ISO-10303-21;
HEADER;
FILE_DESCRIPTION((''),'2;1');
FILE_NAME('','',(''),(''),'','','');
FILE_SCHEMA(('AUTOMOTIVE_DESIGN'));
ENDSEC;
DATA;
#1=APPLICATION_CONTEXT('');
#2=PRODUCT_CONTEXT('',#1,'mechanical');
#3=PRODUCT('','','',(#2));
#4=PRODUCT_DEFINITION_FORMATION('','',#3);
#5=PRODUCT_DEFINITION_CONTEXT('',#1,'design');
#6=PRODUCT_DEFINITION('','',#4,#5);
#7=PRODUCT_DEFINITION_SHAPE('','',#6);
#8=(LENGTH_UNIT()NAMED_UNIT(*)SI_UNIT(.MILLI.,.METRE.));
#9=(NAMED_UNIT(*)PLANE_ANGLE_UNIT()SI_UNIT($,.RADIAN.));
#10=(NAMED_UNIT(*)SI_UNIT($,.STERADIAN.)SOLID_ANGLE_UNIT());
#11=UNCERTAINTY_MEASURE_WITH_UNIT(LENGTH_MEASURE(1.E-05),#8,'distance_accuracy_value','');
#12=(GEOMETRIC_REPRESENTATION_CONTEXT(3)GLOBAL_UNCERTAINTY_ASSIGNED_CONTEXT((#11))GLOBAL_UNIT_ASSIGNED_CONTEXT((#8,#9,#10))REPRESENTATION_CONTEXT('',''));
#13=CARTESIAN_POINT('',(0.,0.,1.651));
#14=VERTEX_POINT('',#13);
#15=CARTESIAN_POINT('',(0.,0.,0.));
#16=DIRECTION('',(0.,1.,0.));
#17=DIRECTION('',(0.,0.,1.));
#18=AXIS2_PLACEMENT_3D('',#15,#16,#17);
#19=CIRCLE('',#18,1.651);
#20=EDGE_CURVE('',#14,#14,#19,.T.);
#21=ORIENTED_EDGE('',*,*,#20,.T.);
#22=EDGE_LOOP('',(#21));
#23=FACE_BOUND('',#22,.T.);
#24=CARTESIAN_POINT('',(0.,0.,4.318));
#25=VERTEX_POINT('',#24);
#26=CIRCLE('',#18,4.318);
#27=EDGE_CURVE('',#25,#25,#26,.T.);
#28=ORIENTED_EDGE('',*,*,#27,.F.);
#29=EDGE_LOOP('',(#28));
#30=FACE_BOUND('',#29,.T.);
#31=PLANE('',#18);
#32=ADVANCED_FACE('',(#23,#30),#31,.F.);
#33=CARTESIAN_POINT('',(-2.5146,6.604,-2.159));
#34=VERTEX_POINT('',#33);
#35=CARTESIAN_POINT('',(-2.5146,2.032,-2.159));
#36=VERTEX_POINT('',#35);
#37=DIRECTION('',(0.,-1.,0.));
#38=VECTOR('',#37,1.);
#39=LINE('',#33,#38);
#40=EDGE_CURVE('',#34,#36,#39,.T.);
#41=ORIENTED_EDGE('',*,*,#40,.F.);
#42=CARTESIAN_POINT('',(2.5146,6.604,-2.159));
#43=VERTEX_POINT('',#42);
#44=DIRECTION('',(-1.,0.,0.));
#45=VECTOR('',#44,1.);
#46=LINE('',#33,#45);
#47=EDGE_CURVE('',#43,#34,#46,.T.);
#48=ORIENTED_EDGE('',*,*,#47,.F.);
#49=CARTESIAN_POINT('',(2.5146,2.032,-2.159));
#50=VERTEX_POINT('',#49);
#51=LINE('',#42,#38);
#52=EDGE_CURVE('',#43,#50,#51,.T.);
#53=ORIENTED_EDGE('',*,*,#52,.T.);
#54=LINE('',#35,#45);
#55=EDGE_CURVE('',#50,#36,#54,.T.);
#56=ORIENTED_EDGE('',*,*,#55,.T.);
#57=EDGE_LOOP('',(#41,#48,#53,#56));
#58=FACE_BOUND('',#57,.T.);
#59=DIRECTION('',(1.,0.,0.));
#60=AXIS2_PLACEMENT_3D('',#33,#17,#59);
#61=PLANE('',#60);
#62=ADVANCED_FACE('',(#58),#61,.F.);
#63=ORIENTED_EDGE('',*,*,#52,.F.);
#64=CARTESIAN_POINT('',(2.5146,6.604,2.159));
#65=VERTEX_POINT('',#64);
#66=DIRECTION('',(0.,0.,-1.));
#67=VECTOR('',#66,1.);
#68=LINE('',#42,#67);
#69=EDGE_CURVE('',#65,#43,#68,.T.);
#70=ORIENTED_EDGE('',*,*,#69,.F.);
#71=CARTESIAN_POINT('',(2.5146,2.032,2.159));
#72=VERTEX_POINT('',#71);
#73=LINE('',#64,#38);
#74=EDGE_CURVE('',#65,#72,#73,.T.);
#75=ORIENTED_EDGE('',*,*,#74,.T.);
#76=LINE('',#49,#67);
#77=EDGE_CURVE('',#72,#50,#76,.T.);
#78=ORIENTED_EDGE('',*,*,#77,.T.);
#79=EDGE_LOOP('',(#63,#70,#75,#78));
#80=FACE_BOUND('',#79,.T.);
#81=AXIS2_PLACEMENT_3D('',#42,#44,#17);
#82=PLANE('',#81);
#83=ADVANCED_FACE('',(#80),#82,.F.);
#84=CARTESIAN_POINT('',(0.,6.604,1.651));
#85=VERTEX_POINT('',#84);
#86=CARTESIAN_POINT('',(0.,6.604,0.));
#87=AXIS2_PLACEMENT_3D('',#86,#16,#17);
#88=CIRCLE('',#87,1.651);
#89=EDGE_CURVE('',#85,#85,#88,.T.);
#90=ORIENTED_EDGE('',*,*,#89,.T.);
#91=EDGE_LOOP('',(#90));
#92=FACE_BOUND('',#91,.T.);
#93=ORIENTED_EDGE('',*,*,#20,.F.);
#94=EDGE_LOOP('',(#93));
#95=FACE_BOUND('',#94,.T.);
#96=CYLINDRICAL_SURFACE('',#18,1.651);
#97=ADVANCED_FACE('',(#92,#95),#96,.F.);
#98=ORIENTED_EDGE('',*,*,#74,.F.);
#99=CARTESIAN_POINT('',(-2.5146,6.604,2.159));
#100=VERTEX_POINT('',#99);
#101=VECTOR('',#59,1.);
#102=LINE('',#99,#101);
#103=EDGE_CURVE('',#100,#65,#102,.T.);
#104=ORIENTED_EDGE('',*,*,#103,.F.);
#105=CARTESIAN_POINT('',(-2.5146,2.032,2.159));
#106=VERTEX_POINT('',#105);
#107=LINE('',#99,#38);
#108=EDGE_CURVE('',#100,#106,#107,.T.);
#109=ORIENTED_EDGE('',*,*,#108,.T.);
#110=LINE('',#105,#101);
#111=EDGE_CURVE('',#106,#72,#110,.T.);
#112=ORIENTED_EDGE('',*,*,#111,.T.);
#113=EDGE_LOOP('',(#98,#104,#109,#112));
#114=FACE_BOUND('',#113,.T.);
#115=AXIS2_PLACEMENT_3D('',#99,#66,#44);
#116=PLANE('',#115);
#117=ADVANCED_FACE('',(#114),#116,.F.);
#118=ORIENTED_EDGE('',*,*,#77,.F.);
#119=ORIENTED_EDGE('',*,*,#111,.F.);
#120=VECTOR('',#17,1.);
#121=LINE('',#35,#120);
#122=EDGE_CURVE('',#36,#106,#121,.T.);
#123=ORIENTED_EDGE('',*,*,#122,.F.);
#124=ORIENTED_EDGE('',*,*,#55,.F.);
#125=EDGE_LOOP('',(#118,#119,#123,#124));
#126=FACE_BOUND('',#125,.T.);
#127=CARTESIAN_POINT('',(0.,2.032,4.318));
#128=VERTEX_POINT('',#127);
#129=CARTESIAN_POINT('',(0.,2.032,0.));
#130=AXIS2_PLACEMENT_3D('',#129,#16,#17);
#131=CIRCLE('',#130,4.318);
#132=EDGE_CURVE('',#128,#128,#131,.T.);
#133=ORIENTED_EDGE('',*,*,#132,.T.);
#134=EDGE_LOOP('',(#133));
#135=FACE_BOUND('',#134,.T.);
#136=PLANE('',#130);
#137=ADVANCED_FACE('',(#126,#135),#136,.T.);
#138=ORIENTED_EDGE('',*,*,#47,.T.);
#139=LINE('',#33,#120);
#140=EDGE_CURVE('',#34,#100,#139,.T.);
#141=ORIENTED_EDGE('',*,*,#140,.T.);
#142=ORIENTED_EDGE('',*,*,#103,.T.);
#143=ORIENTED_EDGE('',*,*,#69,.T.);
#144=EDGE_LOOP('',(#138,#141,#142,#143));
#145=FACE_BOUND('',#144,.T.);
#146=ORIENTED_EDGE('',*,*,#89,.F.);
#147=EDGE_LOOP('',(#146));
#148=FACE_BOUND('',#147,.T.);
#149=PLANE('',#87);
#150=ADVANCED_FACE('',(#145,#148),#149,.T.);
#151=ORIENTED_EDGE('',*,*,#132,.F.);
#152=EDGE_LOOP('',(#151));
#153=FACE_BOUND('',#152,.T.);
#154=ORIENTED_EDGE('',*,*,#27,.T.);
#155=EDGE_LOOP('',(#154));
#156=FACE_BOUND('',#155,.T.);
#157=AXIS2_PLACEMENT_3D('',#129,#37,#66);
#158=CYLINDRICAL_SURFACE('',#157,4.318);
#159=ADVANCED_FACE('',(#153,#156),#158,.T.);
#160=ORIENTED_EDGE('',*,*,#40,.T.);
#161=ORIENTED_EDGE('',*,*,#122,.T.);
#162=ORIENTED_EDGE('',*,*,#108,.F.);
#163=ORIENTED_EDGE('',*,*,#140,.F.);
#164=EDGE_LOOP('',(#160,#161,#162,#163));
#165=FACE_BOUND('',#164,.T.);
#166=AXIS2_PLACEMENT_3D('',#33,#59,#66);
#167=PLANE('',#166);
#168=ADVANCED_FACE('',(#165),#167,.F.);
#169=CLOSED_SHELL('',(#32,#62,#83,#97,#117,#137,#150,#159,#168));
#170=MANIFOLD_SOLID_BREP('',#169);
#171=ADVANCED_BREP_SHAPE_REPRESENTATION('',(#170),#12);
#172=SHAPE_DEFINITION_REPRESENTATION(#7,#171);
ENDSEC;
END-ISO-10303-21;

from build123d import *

# Parameters (mm, degrees)
SKETCH1_R           = 4.318
BOSS_EXTRUDE1_DEPTH = 2.032
SKETCH2_W           = 5.0292
SKETCH2_H           = 4.318
BOSS_EXTRUDE2_DEPTH = 4.572
SKETCH3_R           = 1.651
CUT_EXTRUDE1_DEPTH  = 7.604


with BuildPart() as part:
    # Sketch1 → Boss-Extrude1 (new body)
    with BuildSketch(Plane(origin=(0, 0, 0), x_dir=(1, 0, 0), z_dir=(0, 1, 0))):
        Circle(SKETCH1_R)
    extrude(amount=BOSS_EXTRUDE1_DEPTH)

    # Sketch2 → Boss-Extrude2 (add)
    with BuildSketch(Plane(origin=(0, 2.032, 0), x_dir=(1, 0, 0), z_dir=(0, 1, 0))):
        Rectangle(SKETCH2_W, SKETCH2_H)
    extrude(amount=BOSS_EXTRUDE2_DEPTH)

    # Sketch3 → Cut-Extrude1 (cut, through all)
    with BuildSketch(Plane(origin=(0, 6.604, 0), x_dir=(1, 0, 0), z_dir=(0, 1, 0))):
        Circle(SKETCH3_R)
    extrude(amount=-CUT_EXTRUDE1_DEPTH, mode=Mode.SUBTRACT)


solid = part.part
